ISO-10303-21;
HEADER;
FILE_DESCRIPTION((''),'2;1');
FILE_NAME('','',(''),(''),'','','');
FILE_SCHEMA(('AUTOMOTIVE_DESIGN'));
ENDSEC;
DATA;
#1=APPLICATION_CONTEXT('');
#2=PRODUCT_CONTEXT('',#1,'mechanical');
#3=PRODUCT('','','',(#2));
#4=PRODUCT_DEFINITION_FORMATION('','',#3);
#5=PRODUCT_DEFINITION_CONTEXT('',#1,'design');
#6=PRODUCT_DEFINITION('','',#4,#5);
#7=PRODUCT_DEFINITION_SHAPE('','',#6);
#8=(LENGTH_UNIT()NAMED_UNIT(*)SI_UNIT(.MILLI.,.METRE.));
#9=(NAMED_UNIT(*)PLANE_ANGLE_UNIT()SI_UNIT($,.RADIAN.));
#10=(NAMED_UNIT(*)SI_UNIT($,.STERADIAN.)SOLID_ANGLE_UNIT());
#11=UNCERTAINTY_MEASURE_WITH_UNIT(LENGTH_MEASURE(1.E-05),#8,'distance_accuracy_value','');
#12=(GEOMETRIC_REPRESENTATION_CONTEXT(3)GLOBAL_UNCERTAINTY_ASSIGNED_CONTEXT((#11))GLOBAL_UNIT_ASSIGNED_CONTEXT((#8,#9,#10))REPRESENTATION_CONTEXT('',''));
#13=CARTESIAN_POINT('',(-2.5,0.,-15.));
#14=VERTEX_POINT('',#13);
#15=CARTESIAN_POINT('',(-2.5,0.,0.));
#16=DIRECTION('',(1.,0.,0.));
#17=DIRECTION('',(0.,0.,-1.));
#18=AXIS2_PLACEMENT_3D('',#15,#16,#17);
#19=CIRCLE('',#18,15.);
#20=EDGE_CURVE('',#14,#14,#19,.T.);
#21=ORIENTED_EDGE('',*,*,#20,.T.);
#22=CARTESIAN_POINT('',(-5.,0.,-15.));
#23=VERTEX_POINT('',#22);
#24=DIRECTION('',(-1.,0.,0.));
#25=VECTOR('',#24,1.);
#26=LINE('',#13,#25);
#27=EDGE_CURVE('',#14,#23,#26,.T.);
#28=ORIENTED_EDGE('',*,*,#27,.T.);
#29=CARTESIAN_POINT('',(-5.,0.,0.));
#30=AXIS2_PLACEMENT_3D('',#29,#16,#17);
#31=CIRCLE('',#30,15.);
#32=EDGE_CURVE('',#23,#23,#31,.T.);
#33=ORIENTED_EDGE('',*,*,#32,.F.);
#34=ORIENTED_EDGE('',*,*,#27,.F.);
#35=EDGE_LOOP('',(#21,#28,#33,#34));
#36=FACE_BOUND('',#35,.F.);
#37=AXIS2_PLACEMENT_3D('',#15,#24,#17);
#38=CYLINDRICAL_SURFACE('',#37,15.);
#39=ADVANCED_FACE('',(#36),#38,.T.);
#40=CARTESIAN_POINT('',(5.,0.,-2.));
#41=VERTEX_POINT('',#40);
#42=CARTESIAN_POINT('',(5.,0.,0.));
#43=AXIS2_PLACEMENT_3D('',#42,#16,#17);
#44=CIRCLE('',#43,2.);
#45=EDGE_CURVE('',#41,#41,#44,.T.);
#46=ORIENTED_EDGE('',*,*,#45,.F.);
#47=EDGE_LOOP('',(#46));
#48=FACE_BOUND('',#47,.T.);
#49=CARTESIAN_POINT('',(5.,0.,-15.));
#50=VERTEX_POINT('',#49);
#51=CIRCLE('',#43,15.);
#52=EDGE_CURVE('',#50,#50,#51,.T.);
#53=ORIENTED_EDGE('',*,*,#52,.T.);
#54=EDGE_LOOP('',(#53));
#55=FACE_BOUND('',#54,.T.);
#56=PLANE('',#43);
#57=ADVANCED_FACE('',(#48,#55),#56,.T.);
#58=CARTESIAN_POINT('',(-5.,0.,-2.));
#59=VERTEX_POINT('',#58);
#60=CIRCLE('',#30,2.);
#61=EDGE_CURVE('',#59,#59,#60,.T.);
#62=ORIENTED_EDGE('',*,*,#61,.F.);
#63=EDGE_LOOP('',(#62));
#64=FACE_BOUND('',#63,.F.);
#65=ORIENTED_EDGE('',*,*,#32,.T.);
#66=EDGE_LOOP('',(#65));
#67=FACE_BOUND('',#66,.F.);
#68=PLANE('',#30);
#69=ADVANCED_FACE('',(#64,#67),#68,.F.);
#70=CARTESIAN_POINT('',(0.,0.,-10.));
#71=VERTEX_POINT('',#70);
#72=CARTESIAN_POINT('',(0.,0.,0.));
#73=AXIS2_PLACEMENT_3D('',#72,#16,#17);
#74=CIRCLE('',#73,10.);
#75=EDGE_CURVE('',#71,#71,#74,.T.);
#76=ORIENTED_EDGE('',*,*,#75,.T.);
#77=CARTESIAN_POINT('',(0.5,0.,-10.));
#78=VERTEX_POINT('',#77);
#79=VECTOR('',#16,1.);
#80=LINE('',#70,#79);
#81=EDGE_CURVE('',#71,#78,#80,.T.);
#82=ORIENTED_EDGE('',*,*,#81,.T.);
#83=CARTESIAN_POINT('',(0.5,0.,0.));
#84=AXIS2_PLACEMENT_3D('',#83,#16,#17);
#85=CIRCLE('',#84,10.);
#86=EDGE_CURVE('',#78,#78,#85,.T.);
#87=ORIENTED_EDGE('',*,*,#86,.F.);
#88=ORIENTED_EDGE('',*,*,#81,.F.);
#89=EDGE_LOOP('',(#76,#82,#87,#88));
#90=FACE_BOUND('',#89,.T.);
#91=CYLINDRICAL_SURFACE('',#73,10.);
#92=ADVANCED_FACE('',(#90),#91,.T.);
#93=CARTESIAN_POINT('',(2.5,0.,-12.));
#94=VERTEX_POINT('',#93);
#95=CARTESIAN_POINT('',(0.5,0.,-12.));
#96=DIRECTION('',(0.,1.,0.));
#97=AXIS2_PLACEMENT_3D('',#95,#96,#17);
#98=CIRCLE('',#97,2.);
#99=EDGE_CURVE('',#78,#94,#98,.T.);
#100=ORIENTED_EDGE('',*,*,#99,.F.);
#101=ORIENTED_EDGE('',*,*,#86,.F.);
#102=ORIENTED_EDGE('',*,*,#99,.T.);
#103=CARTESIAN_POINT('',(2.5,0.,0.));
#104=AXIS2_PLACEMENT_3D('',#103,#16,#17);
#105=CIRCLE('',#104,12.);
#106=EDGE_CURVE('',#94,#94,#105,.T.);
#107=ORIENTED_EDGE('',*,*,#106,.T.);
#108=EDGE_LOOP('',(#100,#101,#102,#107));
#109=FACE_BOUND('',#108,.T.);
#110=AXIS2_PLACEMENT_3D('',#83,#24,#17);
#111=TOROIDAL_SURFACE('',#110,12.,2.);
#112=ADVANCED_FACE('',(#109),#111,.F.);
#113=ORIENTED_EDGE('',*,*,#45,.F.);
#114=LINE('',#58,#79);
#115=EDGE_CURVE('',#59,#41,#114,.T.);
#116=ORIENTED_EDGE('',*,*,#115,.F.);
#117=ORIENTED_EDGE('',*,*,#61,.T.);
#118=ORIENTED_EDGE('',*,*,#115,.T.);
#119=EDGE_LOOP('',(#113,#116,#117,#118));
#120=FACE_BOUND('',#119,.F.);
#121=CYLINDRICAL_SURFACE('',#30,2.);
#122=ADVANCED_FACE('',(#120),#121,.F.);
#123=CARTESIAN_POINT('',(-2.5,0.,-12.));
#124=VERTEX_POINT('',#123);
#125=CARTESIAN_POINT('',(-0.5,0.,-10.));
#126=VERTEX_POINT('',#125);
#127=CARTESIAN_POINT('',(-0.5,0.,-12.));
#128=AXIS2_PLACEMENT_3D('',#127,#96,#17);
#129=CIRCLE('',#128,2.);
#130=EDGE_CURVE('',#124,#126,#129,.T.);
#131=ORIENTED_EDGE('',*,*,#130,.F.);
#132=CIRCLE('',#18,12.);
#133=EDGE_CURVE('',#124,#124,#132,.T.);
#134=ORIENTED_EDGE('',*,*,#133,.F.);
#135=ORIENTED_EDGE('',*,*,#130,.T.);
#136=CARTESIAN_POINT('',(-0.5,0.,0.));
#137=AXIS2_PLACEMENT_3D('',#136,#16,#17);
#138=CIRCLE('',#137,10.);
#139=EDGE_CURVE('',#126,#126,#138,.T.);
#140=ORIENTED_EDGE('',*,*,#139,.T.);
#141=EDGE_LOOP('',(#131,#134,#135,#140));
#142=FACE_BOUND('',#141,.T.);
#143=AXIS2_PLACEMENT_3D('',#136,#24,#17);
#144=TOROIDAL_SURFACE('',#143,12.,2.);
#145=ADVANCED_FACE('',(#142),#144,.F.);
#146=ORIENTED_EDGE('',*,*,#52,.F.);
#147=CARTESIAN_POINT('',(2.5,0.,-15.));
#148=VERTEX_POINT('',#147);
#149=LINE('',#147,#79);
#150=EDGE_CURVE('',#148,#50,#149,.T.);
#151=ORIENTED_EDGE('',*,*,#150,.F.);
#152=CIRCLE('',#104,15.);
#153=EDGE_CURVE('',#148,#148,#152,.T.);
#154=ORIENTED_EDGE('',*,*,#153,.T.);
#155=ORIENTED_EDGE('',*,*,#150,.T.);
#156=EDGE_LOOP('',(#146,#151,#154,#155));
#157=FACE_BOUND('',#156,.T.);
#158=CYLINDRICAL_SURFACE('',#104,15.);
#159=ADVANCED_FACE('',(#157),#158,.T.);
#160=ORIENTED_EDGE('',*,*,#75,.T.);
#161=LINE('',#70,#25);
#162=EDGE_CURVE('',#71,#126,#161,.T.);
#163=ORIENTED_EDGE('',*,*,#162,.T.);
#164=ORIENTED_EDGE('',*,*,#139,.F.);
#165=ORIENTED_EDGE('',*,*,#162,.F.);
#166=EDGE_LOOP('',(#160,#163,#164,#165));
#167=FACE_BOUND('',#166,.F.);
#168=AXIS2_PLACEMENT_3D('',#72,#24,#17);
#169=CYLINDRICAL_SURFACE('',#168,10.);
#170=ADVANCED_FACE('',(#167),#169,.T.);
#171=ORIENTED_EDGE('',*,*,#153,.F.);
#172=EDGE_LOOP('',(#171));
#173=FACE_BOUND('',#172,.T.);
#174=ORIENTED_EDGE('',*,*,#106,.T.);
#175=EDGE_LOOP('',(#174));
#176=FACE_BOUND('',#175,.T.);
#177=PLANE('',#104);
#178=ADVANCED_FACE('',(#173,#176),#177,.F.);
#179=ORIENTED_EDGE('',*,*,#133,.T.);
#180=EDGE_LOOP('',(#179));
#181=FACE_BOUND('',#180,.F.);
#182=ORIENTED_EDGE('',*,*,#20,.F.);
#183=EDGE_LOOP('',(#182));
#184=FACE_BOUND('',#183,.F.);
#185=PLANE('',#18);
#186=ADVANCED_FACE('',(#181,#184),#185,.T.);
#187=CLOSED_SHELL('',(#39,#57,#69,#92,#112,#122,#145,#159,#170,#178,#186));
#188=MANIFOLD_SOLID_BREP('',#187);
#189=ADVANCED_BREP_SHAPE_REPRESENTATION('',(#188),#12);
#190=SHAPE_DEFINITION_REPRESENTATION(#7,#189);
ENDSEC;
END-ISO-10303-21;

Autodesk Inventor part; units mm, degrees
ref_plane "YZ Plane" through (0, 0, 0) normal (1, 0, 0) x (0, 1, 0)
ref_plane "XZ Plane" through (0, 0, 0) normal (0, 1, 0) x (-1, 0, 0)
ref_plane "XY Plane" through (0, 0, 0) normal (0, 0, 1) x (1, 0, 0)
sketch "Sketch1" plane through (0, 0, 0) normal (0, 1, 0) x (-1, 0, 0)
  line L0 (0, 0) -> (0, -10) construction
  line L1 (0, -10) -> (2.5, -10)
  line L2 (2.5, -10) -> (2.5, -15)
  line L3 (2.5, -15) -> (5, -15)
  line L4 (5, -15) -> (5, -2)
  line L5 (5, 0) -> (0, 0) construction
  line L6 (0, -10) -> (-2.5, -10)
  line L7 (-2.5, -10) -> (-2.5, -15)
  line L8 (-2.5, -15) -> (-5, -15)
  line L9 (-5, -15) -> (-5, -2)
  line L10 (-5, 0) -> (0, 0) construction
  line L11 (5, 0) -> (5, -2) construction
  line L12 (5, -2) -> (-5, -2)
  dimension "d1" = 10
  dimension "d2" = 2.5
  dimension "d3" = 5
  dimension "d4" = 2.5
  dimension "d7" = 2
revolve "Revolution1" add sketch "Sketch1" angle 360 about axis through (-5, 0, 0) along (1, 0, 0)
fillet "Fillet1" radius 2 2 edges at (-2.5, 0, 10) (2.5, 0, 10)
properties part number "Align_Roller"
